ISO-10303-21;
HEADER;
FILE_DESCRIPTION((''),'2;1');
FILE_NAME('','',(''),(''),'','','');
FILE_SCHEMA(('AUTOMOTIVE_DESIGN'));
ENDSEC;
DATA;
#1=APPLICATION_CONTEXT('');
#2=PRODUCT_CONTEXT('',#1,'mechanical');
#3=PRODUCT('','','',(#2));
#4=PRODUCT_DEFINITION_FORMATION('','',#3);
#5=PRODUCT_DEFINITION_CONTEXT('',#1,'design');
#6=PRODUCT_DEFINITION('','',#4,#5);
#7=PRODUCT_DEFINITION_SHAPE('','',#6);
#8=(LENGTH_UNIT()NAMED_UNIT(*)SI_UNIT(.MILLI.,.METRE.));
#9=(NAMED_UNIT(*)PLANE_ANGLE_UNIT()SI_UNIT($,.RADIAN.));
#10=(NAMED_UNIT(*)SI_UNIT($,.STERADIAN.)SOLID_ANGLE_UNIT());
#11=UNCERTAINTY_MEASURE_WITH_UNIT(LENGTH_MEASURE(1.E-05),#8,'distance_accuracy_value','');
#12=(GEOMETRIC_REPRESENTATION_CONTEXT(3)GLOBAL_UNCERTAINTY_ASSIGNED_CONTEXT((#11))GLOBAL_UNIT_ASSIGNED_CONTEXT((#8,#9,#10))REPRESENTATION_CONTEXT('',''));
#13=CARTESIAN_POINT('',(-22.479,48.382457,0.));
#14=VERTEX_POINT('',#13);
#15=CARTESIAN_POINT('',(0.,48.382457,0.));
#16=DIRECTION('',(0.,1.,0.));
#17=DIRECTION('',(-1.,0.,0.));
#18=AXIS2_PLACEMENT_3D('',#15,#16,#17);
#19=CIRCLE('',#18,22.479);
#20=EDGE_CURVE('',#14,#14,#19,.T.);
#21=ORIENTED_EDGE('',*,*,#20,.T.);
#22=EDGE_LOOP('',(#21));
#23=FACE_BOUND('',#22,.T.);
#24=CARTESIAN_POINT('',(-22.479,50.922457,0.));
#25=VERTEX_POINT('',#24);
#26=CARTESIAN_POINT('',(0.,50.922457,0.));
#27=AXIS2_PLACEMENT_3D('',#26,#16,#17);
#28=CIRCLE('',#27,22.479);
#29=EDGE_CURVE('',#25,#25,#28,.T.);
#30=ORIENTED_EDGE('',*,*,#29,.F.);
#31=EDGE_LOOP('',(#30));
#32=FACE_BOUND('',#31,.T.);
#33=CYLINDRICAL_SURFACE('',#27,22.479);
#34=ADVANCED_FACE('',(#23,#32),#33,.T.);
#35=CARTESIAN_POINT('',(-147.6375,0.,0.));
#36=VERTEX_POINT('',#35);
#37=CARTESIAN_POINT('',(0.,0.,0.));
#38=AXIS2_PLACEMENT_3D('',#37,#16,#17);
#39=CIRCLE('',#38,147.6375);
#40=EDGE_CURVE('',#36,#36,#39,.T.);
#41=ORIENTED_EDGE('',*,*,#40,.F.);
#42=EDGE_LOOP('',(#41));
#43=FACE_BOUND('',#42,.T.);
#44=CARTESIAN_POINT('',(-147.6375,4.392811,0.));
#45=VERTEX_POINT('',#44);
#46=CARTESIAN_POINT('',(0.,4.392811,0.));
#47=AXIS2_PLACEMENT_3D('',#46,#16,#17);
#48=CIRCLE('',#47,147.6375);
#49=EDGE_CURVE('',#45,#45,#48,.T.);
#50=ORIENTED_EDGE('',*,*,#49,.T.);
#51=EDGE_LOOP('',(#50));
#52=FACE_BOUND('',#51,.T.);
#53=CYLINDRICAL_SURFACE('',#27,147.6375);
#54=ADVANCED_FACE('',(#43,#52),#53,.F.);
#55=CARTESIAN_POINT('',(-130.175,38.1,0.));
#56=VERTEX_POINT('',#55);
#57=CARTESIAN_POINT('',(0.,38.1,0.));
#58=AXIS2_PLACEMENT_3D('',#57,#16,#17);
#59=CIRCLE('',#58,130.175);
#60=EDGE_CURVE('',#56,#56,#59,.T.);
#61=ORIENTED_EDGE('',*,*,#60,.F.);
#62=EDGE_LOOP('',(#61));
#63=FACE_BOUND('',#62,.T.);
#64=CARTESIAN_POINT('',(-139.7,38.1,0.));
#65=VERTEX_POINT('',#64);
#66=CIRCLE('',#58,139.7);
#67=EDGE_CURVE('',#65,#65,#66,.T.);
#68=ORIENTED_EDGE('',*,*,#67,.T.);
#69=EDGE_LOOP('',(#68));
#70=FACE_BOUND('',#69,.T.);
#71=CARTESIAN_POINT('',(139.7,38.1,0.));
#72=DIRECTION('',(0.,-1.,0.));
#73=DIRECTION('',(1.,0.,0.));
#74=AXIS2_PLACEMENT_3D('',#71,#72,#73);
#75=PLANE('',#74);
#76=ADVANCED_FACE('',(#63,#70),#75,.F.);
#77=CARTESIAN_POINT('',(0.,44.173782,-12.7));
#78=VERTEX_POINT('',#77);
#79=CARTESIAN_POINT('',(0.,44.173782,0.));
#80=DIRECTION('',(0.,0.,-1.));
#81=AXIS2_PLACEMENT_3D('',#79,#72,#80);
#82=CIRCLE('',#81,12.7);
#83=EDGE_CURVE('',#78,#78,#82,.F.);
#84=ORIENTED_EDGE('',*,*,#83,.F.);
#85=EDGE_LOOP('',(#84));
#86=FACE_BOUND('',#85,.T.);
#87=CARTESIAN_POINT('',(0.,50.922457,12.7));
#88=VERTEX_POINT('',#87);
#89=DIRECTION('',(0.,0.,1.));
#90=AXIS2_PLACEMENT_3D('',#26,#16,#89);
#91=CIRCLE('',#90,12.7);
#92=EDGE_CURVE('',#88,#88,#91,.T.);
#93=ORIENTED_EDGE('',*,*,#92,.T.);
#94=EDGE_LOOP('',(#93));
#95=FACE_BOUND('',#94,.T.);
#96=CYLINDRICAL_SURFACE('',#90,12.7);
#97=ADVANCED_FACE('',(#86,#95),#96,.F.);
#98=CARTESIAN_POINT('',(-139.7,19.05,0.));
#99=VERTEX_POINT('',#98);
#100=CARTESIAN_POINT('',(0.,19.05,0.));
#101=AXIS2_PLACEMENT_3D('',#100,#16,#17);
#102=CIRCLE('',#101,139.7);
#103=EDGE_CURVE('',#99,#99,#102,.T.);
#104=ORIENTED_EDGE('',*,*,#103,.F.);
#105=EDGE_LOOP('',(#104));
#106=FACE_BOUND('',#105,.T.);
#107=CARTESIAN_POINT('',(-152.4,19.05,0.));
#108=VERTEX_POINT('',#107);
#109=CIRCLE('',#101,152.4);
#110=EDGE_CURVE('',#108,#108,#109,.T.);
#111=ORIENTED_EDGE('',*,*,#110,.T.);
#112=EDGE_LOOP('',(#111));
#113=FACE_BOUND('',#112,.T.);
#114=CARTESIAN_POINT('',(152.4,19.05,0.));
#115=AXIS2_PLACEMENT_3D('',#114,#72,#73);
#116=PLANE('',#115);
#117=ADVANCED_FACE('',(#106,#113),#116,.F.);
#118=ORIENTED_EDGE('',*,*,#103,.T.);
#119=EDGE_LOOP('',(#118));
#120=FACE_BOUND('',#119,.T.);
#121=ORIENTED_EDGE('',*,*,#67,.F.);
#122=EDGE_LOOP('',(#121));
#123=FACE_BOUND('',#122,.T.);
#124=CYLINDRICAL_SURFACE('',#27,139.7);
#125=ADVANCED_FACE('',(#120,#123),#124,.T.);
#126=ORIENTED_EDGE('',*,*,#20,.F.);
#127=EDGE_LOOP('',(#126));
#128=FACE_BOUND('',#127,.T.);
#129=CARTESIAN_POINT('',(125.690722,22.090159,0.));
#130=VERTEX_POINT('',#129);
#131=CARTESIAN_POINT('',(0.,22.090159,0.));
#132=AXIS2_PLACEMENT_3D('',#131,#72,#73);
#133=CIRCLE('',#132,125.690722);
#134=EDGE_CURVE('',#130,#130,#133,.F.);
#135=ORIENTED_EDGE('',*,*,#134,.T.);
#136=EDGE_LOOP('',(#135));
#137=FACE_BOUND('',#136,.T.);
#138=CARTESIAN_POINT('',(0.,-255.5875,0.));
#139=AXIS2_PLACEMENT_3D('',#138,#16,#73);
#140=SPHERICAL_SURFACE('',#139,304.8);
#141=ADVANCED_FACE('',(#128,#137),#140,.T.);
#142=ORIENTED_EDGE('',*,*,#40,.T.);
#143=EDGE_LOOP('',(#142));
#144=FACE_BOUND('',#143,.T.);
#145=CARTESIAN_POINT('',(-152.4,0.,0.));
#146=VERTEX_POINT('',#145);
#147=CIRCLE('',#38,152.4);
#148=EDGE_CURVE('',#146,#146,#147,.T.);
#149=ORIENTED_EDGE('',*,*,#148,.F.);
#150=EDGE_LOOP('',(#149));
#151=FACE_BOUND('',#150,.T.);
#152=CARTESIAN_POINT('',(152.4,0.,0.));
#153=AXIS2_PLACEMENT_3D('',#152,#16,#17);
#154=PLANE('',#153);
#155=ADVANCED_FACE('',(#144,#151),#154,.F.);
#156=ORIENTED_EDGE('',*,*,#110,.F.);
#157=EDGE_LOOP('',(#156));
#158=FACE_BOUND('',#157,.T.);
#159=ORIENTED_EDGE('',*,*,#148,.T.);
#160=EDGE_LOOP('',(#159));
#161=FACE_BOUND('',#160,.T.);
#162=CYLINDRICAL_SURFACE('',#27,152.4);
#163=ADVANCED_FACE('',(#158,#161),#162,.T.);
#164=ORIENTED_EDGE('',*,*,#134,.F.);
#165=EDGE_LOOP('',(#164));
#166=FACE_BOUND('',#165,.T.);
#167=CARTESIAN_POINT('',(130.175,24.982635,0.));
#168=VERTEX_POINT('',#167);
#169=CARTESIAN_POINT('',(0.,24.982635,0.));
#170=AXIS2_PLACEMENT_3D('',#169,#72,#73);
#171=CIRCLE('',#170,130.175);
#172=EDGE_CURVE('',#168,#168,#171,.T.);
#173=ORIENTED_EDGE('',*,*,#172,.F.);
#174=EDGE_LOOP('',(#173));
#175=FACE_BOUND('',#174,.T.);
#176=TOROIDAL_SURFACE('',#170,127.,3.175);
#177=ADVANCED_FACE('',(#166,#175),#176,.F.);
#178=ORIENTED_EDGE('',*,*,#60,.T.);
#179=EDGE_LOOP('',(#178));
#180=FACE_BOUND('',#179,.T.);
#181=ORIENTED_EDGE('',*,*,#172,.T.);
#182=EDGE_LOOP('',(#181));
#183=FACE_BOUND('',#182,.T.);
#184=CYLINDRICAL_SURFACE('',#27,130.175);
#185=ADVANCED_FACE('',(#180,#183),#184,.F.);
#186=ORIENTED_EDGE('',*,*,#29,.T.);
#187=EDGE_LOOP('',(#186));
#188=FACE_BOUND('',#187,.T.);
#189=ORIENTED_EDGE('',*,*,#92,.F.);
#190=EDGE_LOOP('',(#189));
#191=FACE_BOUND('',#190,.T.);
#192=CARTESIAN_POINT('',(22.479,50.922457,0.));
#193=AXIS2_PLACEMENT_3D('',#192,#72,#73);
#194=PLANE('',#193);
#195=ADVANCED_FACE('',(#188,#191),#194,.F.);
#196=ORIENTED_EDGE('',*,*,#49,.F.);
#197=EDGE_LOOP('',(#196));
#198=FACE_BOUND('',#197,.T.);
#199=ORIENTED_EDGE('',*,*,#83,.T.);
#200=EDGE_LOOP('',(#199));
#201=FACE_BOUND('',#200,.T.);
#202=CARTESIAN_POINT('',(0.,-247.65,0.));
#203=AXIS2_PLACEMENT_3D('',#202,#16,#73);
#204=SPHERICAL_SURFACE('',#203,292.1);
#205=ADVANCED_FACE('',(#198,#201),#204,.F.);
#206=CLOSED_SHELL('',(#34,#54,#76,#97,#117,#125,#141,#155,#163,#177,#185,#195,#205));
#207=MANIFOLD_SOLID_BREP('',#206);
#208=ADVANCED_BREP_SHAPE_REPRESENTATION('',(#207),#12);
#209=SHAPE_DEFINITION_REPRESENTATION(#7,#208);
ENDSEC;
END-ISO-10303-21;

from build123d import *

# Parameters (mm, degrees)
FILLET1_R = 3.175
HOLE1_D   = 25.4


with BuildPart() as part:
    # Sketch1 → Revolve1 (revolve)
    with BuildSketch(Plane.XY):
        with BuildLine():
            Line((0, 50.922456672), (0, 44.45))
            ThreePointArc((0, 44.45), (76.487596697, 34.257888417), (147.6375, 4.392811034))
            Line((147.6375, 4.392811034), (147.6375, 0))
            Line((147.6375, 0), (152.4, 0))
            Line((152.4, 0), (152.4, 19.05))
            Line((152.4, 19.05), (139.7, 19.05))
            Line((139.7, 19.05), (139.7, 38.1))
            Line((139.7, 38.1), (130.175, 38.1))
            Line((130.175, 38.1), (130.175, 20.016399419))
            ThreePointArc((130.175, 20.016399419), (77.633557371, 39.159969489), (22.479, 48.382456672))
            Line((22.479, 48.382456672), (22.479, 50.922456672))
            Line((22.479, 50.922456672), (0, 50.922456672))
        make_face()
    revolve(axis=Axis((0, 50.922456672, 0), (0, -1, 0)))

    # Fillet1
    fillet1_edges = [part.edges().sort_by_distance(p)[0] for p in [
        (-130.175, 20.016399419, 0),
    ]]
    fillet(fillet1_edges, radius=FILLET1_R)

    # Hole1 (through all)
    with Locations(Plane(origin=(0, 50.922456672, 0), x_dir=(1, 0, 0), z_dir=(0, 1, 0))):
        with Locations((0, 0)):
            Hole(HOLE1_D / 2)


solid = part.part
